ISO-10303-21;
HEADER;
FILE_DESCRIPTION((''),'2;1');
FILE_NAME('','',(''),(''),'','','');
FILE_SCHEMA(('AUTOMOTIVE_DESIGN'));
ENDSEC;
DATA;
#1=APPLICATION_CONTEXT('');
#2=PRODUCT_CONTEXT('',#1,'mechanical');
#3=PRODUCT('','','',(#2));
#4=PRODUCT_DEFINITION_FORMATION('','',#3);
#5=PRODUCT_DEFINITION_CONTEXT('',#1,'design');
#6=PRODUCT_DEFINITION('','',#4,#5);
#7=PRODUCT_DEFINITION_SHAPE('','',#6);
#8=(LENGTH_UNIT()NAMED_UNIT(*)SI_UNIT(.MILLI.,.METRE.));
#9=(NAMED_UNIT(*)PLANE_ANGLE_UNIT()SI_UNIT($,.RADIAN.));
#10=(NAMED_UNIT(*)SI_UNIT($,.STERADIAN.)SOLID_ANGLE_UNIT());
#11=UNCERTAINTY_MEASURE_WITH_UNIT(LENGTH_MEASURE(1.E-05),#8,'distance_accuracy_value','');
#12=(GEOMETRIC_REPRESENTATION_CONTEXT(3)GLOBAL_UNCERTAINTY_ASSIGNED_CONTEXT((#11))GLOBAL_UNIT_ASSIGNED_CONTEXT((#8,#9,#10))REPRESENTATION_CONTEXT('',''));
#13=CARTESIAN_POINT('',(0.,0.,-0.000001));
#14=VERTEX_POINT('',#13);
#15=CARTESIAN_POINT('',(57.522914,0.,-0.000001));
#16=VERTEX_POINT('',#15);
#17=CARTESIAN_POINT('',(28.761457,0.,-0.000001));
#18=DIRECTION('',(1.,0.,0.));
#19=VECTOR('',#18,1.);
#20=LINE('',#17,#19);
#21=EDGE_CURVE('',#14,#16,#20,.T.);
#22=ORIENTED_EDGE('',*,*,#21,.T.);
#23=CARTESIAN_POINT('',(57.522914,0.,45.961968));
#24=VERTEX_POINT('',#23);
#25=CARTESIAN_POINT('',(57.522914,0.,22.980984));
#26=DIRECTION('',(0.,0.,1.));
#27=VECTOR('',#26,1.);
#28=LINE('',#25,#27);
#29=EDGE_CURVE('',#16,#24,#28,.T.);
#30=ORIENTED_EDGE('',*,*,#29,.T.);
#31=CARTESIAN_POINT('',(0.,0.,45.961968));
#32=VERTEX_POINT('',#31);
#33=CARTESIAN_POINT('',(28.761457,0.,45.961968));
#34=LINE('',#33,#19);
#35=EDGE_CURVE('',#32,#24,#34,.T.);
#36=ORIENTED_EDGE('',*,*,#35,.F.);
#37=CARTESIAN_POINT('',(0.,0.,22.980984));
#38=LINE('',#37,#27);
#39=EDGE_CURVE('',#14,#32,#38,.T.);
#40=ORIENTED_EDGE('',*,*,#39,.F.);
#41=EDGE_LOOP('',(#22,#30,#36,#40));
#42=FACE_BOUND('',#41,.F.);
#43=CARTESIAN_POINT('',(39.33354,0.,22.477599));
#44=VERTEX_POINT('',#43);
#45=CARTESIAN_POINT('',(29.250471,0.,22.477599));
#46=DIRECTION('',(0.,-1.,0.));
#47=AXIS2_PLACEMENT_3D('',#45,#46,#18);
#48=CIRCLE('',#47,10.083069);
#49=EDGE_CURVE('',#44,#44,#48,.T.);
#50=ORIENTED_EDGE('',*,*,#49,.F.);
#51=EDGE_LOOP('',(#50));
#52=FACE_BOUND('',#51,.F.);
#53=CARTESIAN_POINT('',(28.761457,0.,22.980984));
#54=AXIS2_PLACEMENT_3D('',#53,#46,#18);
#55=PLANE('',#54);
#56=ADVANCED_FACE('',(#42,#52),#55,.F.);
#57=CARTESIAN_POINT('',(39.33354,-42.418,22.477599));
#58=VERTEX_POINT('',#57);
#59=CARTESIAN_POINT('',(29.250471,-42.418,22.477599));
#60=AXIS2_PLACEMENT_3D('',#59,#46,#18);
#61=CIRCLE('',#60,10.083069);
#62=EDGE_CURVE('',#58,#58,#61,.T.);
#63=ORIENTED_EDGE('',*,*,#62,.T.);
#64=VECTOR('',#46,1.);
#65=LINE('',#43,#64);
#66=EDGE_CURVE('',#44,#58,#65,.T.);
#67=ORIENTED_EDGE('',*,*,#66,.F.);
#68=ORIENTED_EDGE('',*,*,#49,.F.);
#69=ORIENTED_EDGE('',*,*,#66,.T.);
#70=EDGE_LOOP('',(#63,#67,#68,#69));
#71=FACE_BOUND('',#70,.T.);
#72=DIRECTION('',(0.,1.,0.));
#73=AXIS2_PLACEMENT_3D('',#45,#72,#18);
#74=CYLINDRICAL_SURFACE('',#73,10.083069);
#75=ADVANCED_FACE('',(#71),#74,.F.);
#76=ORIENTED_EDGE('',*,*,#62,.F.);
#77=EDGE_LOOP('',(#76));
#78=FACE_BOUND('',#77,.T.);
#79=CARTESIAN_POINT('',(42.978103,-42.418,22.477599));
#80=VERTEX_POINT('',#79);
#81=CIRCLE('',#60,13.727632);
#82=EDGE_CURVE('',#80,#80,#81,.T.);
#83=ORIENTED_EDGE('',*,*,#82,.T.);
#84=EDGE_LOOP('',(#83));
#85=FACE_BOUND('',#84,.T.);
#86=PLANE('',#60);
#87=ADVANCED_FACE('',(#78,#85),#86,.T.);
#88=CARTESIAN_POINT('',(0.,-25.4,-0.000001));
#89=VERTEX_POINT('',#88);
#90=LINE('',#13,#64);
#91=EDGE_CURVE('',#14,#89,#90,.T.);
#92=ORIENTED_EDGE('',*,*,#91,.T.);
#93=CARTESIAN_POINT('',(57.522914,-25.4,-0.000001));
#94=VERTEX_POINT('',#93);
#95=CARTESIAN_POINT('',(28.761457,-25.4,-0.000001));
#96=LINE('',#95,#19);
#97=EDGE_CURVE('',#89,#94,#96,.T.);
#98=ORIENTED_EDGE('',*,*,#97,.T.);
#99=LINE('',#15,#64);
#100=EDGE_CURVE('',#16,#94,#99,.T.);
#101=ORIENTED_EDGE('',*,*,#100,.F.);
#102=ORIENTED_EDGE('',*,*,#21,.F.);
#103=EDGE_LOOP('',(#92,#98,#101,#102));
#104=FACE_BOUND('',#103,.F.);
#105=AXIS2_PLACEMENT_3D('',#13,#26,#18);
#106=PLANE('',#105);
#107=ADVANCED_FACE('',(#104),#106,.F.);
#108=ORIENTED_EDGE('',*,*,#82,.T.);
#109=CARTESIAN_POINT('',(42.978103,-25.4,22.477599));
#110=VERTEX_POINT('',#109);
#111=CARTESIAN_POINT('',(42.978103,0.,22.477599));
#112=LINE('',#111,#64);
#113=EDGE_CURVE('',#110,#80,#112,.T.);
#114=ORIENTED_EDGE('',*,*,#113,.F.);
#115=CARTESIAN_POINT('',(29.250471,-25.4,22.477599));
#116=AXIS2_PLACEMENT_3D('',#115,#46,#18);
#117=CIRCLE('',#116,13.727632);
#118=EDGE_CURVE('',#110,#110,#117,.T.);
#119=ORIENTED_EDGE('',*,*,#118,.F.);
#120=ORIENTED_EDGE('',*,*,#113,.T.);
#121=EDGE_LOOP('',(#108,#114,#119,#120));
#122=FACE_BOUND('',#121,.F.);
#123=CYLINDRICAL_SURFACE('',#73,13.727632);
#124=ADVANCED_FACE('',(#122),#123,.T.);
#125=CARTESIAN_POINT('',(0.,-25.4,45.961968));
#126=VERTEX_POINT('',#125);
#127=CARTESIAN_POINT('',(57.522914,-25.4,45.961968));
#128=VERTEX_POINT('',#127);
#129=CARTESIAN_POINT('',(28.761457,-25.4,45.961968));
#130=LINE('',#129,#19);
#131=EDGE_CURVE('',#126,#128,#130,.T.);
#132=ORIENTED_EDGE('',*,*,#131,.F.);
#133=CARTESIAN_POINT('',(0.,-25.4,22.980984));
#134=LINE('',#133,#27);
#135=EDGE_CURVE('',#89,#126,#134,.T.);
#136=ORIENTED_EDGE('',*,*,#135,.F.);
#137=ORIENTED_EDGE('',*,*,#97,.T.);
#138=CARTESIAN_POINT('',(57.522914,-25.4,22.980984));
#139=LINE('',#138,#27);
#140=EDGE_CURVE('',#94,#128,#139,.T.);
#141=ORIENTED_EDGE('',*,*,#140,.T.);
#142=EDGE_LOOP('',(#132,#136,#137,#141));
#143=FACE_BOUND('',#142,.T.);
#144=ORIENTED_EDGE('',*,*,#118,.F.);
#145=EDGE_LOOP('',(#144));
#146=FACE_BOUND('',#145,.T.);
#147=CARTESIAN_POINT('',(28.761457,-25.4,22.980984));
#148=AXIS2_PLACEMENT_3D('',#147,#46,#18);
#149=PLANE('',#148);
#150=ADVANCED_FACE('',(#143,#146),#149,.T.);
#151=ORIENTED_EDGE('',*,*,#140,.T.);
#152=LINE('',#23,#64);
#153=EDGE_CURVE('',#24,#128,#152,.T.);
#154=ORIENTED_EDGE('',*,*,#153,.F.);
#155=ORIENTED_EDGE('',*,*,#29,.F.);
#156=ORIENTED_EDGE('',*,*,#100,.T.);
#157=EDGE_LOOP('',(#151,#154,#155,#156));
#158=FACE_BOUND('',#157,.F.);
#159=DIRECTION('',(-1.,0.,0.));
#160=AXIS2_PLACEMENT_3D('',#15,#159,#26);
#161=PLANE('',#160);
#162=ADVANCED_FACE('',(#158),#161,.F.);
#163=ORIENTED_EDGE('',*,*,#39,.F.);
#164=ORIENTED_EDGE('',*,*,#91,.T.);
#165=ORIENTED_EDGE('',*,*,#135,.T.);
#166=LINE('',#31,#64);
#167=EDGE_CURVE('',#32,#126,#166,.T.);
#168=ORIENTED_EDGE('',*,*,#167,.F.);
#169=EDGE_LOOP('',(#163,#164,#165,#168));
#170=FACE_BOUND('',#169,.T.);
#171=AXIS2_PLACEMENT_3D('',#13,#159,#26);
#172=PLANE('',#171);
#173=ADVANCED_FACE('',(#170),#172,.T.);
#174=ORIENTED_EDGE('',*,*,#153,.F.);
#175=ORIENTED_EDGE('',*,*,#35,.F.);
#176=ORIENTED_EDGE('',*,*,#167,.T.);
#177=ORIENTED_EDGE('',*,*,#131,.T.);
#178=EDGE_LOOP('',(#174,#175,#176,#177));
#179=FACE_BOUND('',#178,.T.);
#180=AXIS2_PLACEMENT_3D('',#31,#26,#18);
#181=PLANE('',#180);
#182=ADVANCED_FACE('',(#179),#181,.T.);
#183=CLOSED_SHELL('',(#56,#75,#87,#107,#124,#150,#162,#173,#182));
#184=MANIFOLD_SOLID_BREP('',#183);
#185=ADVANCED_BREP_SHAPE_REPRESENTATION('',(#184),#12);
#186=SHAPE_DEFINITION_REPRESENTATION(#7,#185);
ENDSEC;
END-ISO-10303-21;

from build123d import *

# Parameters (mm, degrees)
F0_W     = 57.522915
F0_H     = 45.961969
F0_R     = 13.727632
F1_DEPTH = 25.4
F2_DEPTH = 25.4
F0_R_2   = 10.083069
F3_DEPTH = 42.418


with BuildPart() as f1:
    # F0 (on Front) → F1 (new body)
    with BuildSketch(Plane.XZ):
        with Locations((28.761457, 22.980984)):
            Rectangle(F0_W, F0_H)
        with Locations((29.250471, 22.477599)):
            Circle(F0_R, mode=Mode.SUBTRACT)
    extrude(amount=F1_DEPTH)

    # F0 (on Front) → F2 (join)
    with BuildSketch(Plane.XZ):
        with Locations((28.761457, 22.980984)):
            Rectangle(F0_W, F0_H)
        with Locations((29.250471, 22.477599)):
            Circle(F0_R, mode=Mode.SUBTRACT)
    extrude(amount=F2_DEPTH)

    # F0 (on Front) → F3 (join)
    with BuildSketch(Plane.XZ):
        with Locations((29.250471, 22.477599)):
            Circle(F0_R)
        with Locations((29.250471, 22.477599)):
            Circle(F0_R_2, mode=Mode.SUBTRACT)
    extrude(amount=F3_DEPTH)


solid = f1.part
